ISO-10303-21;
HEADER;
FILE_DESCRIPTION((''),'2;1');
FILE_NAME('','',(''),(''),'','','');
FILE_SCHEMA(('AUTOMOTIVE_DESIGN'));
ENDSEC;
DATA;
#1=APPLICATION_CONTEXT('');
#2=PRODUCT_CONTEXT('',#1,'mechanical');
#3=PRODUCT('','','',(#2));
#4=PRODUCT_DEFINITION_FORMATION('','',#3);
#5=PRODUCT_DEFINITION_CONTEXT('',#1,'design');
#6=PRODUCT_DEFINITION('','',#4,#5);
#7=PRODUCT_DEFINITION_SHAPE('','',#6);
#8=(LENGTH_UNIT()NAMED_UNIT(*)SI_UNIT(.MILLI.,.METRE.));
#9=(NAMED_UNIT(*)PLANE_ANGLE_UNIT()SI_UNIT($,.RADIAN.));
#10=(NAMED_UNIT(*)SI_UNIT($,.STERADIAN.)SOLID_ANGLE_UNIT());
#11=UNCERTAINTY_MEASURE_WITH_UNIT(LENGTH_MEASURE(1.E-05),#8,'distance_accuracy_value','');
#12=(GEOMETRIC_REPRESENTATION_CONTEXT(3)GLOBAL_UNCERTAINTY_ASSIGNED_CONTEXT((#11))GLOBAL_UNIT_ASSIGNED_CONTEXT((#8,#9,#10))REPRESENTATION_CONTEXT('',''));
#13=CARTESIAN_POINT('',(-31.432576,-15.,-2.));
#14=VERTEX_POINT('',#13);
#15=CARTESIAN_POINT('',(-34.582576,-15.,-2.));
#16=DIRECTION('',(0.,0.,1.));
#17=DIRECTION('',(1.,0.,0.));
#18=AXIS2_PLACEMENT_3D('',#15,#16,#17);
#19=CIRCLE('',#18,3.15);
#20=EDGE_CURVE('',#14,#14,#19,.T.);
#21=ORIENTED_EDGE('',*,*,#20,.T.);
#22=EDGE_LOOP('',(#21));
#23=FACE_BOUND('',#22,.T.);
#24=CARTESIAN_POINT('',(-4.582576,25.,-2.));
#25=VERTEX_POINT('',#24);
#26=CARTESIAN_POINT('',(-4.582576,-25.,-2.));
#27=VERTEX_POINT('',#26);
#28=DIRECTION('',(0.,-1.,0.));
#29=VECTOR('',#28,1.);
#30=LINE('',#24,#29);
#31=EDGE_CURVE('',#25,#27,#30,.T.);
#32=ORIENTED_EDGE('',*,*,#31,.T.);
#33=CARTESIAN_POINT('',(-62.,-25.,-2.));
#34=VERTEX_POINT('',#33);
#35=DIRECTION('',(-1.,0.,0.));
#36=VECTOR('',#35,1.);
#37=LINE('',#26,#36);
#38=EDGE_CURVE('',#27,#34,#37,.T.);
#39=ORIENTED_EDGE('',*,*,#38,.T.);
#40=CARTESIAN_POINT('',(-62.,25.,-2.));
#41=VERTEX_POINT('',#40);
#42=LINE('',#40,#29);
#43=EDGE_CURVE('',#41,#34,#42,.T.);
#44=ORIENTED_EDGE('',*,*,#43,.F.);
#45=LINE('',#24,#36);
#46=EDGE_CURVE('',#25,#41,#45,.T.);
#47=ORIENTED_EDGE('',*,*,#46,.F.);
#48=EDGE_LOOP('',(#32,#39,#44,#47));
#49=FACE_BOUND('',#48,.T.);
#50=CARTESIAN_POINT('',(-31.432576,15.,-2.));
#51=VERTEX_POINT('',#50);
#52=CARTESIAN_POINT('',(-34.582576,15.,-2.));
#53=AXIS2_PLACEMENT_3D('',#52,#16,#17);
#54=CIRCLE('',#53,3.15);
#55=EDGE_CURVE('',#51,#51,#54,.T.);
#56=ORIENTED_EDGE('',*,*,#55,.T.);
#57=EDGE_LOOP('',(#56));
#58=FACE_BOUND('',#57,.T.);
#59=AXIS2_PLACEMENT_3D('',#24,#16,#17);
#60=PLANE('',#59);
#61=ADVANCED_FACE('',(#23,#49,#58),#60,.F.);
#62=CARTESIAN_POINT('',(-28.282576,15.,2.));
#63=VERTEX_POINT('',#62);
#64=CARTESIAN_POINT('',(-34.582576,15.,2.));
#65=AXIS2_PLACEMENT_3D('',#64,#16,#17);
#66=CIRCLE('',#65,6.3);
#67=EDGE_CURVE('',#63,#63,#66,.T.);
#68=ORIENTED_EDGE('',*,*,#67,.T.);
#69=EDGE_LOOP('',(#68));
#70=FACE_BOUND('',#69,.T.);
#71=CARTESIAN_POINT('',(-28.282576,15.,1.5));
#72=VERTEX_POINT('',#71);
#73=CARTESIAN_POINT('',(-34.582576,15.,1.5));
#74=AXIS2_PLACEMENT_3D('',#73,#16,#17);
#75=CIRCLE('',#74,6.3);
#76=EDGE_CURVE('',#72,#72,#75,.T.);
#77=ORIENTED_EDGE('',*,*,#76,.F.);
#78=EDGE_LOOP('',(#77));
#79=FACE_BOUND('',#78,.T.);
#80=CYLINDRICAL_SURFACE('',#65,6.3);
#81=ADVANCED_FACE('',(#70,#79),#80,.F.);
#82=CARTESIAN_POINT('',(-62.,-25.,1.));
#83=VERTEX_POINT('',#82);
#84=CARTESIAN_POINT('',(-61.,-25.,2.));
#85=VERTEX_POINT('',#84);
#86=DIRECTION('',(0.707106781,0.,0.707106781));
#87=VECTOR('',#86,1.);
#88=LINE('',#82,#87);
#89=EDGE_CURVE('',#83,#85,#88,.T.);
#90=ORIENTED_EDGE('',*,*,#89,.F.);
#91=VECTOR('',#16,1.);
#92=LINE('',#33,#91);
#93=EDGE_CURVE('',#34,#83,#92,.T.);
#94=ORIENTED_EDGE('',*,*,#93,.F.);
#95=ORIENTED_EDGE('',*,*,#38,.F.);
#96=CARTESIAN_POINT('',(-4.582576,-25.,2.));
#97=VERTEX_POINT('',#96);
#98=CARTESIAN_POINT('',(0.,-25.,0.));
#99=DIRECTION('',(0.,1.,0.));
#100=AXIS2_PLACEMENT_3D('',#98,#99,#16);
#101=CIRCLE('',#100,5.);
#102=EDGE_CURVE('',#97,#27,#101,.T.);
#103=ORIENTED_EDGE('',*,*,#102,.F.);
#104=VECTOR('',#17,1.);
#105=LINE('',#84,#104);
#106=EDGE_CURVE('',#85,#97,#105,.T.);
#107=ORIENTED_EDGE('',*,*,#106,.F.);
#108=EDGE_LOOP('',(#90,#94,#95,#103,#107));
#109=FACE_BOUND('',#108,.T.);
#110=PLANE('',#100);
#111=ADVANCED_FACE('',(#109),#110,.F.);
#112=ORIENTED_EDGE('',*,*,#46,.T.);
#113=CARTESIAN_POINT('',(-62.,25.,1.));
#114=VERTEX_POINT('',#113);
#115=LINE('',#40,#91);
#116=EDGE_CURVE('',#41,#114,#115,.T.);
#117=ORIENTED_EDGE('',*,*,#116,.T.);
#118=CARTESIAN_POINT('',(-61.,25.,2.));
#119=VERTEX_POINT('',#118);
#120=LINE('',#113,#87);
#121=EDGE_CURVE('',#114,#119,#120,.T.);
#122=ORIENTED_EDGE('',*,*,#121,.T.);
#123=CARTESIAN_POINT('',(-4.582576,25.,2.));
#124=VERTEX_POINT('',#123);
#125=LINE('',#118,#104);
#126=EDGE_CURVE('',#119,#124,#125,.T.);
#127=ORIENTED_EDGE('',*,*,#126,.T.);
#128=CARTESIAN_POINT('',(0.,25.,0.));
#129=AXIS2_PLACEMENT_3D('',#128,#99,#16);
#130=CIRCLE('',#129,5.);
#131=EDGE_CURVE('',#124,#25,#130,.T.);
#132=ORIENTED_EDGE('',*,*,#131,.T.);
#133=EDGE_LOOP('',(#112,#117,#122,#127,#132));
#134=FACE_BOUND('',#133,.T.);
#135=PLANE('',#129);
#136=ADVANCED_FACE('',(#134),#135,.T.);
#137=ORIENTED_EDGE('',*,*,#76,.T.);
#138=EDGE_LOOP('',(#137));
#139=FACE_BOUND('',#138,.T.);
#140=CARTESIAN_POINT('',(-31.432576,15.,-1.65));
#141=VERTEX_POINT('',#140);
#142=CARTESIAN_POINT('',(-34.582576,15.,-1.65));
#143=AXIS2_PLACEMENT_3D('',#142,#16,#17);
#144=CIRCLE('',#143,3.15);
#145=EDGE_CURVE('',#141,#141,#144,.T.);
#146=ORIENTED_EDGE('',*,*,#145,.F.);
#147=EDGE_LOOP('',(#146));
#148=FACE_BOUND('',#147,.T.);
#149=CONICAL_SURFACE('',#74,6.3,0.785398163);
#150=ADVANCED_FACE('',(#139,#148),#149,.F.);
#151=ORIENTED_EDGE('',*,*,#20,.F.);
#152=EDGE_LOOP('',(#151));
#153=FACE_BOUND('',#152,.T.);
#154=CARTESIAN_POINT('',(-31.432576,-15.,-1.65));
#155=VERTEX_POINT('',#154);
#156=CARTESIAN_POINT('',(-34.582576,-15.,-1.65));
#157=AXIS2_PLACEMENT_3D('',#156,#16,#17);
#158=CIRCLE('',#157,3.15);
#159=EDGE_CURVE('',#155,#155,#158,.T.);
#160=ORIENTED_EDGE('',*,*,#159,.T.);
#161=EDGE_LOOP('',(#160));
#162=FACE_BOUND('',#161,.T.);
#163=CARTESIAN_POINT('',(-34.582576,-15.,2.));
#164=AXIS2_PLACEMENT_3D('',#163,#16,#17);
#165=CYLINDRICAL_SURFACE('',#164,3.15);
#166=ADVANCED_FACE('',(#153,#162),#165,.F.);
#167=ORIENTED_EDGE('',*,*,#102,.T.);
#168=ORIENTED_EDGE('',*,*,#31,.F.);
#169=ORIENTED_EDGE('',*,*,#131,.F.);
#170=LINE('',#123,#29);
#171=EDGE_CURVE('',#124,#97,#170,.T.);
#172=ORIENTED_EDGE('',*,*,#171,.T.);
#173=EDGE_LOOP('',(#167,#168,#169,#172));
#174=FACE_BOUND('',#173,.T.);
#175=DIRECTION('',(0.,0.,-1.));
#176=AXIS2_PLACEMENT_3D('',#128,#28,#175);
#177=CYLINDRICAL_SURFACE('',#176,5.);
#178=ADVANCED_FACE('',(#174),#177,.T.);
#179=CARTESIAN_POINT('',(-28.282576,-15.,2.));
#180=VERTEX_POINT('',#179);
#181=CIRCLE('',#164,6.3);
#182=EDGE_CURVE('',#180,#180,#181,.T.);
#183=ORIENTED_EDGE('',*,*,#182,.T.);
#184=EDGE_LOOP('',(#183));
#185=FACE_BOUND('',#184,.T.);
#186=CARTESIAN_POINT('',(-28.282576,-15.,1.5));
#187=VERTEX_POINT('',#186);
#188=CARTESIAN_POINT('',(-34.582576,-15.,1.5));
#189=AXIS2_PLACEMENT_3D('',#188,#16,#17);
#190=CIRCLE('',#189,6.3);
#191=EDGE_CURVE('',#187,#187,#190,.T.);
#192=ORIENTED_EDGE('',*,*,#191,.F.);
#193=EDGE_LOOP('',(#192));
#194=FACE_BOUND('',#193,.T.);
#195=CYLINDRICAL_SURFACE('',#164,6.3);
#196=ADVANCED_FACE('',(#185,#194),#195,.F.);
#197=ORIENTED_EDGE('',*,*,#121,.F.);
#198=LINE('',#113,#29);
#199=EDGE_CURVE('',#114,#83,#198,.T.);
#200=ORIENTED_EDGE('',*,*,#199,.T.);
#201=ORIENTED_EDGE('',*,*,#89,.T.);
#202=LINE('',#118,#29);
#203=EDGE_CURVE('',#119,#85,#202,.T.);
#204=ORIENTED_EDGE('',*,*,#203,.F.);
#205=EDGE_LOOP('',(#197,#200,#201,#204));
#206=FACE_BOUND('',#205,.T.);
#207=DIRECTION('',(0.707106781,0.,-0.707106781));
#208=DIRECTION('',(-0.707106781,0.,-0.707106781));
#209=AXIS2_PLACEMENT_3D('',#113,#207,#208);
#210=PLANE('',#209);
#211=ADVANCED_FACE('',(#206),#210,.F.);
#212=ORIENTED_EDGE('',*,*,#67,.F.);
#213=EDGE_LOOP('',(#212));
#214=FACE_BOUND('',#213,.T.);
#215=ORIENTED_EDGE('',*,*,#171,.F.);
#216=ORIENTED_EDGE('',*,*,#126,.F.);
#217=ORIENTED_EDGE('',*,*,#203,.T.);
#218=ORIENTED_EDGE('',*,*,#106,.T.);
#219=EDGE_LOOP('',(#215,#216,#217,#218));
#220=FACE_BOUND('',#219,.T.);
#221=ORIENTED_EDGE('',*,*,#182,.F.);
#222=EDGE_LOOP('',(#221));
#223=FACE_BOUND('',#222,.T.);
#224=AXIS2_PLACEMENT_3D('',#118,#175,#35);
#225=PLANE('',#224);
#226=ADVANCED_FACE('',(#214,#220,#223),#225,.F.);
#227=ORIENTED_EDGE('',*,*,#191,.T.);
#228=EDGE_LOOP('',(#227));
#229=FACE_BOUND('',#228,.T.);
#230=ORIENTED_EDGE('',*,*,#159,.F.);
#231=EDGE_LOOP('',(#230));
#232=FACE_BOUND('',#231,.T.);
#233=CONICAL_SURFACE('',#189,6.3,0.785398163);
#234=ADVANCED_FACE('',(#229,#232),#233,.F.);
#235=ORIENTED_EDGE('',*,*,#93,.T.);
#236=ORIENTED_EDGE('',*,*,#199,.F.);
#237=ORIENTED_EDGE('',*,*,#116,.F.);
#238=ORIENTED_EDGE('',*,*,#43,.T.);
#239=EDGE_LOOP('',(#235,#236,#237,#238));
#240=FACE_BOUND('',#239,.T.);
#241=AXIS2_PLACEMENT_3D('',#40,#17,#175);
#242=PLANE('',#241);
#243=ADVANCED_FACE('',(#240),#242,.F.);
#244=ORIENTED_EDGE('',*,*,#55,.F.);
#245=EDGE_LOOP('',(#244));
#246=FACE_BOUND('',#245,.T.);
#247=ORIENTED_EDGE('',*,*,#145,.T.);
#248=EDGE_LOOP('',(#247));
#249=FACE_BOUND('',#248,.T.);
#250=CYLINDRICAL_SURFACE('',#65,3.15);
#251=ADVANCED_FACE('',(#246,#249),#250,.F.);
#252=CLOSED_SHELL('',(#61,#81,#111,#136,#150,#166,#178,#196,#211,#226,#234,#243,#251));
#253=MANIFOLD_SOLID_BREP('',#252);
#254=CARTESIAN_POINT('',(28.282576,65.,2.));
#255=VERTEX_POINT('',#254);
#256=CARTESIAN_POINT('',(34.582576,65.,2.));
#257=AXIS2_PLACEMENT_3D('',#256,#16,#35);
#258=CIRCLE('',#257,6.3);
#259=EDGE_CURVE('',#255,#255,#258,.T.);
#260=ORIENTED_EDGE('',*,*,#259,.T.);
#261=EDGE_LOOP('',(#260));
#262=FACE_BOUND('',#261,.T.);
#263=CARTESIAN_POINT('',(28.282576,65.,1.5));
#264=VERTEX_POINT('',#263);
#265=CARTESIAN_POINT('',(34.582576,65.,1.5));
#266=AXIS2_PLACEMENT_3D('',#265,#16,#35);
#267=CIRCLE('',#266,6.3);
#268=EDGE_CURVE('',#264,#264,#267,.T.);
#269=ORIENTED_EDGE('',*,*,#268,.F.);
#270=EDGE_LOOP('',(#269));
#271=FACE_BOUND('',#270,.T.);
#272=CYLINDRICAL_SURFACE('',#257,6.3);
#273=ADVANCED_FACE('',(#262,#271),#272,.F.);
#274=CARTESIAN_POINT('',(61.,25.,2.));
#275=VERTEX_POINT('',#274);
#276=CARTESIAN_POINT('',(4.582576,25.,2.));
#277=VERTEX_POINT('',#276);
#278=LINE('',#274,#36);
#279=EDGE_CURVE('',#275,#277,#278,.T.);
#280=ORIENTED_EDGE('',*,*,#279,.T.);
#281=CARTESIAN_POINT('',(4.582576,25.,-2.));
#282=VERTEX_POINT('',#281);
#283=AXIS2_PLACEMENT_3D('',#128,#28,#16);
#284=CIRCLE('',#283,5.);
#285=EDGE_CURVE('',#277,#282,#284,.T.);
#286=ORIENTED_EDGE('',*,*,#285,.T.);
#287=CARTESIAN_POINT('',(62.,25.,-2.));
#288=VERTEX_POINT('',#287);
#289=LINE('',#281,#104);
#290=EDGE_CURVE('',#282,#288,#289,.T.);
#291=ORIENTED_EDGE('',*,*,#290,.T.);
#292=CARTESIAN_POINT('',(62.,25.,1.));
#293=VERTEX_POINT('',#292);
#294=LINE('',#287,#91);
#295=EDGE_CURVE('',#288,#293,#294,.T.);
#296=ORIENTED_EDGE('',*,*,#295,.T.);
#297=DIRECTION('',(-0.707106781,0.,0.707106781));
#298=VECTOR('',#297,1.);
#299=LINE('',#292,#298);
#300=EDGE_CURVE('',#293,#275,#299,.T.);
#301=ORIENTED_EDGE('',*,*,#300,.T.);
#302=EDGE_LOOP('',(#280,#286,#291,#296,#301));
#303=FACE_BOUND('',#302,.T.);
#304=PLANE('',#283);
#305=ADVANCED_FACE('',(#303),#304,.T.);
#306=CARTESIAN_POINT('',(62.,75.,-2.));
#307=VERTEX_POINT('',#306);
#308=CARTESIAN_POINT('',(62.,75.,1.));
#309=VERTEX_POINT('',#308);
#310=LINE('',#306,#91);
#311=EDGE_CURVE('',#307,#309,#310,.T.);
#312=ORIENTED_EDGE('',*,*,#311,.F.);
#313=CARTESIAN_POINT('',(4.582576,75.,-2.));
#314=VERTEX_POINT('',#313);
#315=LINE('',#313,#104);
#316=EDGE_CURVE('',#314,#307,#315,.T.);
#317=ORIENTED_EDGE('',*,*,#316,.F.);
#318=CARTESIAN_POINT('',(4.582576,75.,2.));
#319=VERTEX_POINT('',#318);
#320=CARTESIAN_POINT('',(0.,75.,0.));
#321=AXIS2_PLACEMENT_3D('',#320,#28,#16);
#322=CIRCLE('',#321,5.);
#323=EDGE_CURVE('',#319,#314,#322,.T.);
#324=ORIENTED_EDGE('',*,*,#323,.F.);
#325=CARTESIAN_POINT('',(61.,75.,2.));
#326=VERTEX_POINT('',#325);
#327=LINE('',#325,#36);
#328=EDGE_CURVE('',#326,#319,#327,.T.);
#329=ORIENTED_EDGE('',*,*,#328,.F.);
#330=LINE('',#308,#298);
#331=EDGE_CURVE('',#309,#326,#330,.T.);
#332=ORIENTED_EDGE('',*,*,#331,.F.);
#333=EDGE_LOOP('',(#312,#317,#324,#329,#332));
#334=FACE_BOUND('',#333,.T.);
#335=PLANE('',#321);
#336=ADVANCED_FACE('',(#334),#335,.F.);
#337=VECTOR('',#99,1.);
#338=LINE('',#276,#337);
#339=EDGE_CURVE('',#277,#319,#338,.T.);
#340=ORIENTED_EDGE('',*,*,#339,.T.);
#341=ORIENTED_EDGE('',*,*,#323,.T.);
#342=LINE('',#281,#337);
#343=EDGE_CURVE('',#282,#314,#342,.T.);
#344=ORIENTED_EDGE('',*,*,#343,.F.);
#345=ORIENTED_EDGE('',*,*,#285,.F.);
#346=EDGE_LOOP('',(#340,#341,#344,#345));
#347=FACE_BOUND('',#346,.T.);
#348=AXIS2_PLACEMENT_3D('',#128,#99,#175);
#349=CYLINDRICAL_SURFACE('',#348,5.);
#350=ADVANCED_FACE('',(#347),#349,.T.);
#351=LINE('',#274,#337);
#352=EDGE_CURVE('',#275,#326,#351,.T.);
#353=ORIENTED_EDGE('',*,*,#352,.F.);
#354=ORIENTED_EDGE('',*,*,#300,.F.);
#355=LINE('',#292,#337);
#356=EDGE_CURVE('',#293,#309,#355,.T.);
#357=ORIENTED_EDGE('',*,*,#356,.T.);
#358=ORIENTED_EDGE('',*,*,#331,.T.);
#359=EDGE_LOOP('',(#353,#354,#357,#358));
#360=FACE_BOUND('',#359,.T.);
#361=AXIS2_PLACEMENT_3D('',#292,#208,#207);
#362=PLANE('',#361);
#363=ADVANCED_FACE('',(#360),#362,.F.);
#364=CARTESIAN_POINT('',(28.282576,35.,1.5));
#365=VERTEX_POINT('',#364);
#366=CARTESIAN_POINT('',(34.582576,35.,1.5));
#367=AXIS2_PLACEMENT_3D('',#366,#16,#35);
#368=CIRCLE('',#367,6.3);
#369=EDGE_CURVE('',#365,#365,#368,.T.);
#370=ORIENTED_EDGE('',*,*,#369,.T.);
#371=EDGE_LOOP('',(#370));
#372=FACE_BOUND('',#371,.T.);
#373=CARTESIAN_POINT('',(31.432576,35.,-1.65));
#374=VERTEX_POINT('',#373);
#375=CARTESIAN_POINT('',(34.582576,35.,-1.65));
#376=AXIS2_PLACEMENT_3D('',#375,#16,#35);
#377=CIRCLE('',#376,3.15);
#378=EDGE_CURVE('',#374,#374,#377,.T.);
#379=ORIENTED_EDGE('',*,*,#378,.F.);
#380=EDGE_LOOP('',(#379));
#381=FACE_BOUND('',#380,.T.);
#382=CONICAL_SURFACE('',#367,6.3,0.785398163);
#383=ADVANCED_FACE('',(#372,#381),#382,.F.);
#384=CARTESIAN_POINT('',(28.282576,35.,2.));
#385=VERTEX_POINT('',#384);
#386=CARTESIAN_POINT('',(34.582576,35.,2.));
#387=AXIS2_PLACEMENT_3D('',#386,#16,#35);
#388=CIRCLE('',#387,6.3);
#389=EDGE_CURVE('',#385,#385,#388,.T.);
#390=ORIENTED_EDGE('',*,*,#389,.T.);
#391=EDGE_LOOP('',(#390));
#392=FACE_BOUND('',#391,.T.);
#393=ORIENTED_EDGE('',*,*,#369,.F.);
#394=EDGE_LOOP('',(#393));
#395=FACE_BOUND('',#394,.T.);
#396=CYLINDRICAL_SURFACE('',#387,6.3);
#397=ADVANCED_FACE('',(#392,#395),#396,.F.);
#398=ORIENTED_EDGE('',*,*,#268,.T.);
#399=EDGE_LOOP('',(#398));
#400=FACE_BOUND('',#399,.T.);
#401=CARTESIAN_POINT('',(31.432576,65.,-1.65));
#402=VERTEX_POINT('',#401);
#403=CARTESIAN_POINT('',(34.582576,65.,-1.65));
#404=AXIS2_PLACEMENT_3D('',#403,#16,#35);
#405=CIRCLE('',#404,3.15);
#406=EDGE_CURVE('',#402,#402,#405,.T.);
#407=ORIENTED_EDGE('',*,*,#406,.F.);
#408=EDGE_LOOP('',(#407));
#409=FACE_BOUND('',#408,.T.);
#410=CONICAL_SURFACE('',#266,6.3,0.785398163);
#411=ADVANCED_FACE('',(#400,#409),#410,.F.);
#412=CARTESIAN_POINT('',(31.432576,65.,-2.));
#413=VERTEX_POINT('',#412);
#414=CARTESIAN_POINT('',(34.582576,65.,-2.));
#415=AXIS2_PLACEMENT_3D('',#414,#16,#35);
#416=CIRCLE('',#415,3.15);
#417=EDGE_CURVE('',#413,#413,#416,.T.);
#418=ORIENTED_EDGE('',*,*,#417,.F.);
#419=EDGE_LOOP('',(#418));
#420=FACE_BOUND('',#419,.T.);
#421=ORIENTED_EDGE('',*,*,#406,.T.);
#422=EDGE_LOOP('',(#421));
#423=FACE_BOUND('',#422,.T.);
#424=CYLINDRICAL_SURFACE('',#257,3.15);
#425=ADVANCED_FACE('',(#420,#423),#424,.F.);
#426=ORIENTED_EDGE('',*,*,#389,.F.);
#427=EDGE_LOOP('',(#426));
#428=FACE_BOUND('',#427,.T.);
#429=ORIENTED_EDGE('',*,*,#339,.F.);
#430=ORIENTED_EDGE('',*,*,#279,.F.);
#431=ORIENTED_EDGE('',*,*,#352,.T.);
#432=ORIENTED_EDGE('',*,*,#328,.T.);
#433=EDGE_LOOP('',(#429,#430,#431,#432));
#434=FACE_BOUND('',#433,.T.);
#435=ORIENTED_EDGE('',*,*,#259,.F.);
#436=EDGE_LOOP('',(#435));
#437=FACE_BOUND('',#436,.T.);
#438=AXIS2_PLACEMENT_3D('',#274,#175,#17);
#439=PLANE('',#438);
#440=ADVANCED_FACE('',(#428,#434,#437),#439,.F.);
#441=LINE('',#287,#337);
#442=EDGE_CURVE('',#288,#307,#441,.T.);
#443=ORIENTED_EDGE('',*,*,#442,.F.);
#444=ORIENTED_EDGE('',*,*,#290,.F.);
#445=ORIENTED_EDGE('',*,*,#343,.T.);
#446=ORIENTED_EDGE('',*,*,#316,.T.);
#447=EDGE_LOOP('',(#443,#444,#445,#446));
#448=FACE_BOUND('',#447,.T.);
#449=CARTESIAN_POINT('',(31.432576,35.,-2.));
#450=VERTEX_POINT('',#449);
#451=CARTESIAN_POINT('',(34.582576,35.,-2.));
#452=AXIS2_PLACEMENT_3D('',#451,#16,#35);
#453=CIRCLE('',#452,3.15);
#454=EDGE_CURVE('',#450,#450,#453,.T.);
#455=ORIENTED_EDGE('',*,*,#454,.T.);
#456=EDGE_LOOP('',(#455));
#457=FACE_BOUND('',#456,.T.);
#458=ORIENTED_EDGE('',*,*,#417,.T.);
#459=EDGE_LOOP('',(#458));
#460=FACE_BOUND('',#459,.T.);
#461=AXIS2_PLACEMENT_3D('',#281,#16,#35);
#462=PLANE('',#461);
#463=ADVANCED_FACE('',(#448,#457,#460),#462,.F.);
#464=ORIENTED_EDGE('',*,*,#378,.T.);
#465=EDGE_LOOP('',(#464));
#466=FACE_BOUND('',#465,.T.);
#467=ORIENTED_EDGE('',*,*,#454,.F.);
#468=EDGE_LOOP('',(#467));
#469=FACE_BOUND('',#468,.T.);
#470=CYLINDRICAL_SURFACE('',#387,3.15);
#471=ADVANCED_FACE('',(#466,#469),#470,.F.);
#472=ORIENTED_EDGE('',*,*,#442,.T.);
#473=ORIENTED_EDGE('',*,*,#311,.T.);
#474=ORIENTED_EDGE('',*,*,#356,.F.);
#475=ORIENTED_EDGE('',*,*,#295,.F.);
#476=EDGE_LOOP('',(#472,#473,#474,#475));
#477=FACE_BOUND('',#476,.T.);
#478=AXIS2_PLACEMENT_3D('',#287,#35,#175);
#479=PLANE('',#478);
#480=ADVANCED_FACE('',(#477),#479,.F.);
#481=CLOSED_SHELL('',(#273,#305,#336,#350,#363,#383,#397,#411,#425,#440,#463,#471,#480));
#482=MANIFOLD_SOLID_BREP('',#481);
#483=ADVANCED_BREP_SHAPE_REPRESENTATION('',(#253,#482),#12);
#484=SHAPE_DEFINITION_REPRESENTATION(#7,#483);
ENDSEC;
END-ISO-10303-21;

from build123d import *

# Parameters (mm, degrees)
EXTRUDE_1_DEPTH            = 25
HOLE_WIZARD_M61_AT_2_COUNT = 2
HOLE_WIZARD_M61_AT_2_PITCH = 30
PATTERN_CIRCULAR_1_COUNT   = 2


with BuildPart() as part:
    # Эскиз1 → Бобышка-Вытянуть1 (new body, symmetric)
    with BuildSketch(Plane(origin=(0, 0, 0), x_dir=(1, 0, 0), z_dir=(0, 1, 0))):
        with BuildLine():
            Line((-4.582575695, 2), (-62, 2))
            Line((-62, 2), (-62, -1))
            Line((-62, -1), (-61, -2))
            Line((-61, -2), (-4.582575695, -2))
            ThreePointArc((-4.582575695, -2), (5, 0), (-4.582575695, 2))
        make_face()
    extrude(amount=EXTRUDE_1_DEPTH, both=True)

    # Эскиз6 → Зенковка для винта с полупотайной головкой M61 (revolve, cut)
    with BuildSketch(Plane(origin=(-34.582575695, 15, 2), x_dir=(0, -1, 0), z_dir=(1, 0, 0))):
        Polygon((0, 0), (0, 7), (3.15, 7), (3.15, 3.65), (6.3, 0.5), (6.3, 0), align=None)
    hole_wizard_m61 = revolve(axis=Axis((-34.582575695, 15, 8.35), (0, 0, -1)), mode=Mode.SUBTRACT)

    # Зенковка для винта с полупотайной головкой M61 at 2: Зенковка для винта с полупотайной головкой M61 ×2
    with Locations(*[(0, -i * HOLE_WIZARD_M61_AT_2_PITCH, 0) for i in range(1, HOLE_WIZARD_M61_AT_2_COUNT)]):
        add(hole_wizard_m61, mode=Mode.SUBTRACT)


with BuildPart() as pattern_circular_1_1:
    # Круговой массив1: pattern copy
    add(part.part.rotate(Axis((0, 25, 0), (0, 0, 1)), 1 * 360 / PATTERN_CIRCULAR_1_COUNT))


solid = Compound([part.part, pattern_circular_1_1.part])
